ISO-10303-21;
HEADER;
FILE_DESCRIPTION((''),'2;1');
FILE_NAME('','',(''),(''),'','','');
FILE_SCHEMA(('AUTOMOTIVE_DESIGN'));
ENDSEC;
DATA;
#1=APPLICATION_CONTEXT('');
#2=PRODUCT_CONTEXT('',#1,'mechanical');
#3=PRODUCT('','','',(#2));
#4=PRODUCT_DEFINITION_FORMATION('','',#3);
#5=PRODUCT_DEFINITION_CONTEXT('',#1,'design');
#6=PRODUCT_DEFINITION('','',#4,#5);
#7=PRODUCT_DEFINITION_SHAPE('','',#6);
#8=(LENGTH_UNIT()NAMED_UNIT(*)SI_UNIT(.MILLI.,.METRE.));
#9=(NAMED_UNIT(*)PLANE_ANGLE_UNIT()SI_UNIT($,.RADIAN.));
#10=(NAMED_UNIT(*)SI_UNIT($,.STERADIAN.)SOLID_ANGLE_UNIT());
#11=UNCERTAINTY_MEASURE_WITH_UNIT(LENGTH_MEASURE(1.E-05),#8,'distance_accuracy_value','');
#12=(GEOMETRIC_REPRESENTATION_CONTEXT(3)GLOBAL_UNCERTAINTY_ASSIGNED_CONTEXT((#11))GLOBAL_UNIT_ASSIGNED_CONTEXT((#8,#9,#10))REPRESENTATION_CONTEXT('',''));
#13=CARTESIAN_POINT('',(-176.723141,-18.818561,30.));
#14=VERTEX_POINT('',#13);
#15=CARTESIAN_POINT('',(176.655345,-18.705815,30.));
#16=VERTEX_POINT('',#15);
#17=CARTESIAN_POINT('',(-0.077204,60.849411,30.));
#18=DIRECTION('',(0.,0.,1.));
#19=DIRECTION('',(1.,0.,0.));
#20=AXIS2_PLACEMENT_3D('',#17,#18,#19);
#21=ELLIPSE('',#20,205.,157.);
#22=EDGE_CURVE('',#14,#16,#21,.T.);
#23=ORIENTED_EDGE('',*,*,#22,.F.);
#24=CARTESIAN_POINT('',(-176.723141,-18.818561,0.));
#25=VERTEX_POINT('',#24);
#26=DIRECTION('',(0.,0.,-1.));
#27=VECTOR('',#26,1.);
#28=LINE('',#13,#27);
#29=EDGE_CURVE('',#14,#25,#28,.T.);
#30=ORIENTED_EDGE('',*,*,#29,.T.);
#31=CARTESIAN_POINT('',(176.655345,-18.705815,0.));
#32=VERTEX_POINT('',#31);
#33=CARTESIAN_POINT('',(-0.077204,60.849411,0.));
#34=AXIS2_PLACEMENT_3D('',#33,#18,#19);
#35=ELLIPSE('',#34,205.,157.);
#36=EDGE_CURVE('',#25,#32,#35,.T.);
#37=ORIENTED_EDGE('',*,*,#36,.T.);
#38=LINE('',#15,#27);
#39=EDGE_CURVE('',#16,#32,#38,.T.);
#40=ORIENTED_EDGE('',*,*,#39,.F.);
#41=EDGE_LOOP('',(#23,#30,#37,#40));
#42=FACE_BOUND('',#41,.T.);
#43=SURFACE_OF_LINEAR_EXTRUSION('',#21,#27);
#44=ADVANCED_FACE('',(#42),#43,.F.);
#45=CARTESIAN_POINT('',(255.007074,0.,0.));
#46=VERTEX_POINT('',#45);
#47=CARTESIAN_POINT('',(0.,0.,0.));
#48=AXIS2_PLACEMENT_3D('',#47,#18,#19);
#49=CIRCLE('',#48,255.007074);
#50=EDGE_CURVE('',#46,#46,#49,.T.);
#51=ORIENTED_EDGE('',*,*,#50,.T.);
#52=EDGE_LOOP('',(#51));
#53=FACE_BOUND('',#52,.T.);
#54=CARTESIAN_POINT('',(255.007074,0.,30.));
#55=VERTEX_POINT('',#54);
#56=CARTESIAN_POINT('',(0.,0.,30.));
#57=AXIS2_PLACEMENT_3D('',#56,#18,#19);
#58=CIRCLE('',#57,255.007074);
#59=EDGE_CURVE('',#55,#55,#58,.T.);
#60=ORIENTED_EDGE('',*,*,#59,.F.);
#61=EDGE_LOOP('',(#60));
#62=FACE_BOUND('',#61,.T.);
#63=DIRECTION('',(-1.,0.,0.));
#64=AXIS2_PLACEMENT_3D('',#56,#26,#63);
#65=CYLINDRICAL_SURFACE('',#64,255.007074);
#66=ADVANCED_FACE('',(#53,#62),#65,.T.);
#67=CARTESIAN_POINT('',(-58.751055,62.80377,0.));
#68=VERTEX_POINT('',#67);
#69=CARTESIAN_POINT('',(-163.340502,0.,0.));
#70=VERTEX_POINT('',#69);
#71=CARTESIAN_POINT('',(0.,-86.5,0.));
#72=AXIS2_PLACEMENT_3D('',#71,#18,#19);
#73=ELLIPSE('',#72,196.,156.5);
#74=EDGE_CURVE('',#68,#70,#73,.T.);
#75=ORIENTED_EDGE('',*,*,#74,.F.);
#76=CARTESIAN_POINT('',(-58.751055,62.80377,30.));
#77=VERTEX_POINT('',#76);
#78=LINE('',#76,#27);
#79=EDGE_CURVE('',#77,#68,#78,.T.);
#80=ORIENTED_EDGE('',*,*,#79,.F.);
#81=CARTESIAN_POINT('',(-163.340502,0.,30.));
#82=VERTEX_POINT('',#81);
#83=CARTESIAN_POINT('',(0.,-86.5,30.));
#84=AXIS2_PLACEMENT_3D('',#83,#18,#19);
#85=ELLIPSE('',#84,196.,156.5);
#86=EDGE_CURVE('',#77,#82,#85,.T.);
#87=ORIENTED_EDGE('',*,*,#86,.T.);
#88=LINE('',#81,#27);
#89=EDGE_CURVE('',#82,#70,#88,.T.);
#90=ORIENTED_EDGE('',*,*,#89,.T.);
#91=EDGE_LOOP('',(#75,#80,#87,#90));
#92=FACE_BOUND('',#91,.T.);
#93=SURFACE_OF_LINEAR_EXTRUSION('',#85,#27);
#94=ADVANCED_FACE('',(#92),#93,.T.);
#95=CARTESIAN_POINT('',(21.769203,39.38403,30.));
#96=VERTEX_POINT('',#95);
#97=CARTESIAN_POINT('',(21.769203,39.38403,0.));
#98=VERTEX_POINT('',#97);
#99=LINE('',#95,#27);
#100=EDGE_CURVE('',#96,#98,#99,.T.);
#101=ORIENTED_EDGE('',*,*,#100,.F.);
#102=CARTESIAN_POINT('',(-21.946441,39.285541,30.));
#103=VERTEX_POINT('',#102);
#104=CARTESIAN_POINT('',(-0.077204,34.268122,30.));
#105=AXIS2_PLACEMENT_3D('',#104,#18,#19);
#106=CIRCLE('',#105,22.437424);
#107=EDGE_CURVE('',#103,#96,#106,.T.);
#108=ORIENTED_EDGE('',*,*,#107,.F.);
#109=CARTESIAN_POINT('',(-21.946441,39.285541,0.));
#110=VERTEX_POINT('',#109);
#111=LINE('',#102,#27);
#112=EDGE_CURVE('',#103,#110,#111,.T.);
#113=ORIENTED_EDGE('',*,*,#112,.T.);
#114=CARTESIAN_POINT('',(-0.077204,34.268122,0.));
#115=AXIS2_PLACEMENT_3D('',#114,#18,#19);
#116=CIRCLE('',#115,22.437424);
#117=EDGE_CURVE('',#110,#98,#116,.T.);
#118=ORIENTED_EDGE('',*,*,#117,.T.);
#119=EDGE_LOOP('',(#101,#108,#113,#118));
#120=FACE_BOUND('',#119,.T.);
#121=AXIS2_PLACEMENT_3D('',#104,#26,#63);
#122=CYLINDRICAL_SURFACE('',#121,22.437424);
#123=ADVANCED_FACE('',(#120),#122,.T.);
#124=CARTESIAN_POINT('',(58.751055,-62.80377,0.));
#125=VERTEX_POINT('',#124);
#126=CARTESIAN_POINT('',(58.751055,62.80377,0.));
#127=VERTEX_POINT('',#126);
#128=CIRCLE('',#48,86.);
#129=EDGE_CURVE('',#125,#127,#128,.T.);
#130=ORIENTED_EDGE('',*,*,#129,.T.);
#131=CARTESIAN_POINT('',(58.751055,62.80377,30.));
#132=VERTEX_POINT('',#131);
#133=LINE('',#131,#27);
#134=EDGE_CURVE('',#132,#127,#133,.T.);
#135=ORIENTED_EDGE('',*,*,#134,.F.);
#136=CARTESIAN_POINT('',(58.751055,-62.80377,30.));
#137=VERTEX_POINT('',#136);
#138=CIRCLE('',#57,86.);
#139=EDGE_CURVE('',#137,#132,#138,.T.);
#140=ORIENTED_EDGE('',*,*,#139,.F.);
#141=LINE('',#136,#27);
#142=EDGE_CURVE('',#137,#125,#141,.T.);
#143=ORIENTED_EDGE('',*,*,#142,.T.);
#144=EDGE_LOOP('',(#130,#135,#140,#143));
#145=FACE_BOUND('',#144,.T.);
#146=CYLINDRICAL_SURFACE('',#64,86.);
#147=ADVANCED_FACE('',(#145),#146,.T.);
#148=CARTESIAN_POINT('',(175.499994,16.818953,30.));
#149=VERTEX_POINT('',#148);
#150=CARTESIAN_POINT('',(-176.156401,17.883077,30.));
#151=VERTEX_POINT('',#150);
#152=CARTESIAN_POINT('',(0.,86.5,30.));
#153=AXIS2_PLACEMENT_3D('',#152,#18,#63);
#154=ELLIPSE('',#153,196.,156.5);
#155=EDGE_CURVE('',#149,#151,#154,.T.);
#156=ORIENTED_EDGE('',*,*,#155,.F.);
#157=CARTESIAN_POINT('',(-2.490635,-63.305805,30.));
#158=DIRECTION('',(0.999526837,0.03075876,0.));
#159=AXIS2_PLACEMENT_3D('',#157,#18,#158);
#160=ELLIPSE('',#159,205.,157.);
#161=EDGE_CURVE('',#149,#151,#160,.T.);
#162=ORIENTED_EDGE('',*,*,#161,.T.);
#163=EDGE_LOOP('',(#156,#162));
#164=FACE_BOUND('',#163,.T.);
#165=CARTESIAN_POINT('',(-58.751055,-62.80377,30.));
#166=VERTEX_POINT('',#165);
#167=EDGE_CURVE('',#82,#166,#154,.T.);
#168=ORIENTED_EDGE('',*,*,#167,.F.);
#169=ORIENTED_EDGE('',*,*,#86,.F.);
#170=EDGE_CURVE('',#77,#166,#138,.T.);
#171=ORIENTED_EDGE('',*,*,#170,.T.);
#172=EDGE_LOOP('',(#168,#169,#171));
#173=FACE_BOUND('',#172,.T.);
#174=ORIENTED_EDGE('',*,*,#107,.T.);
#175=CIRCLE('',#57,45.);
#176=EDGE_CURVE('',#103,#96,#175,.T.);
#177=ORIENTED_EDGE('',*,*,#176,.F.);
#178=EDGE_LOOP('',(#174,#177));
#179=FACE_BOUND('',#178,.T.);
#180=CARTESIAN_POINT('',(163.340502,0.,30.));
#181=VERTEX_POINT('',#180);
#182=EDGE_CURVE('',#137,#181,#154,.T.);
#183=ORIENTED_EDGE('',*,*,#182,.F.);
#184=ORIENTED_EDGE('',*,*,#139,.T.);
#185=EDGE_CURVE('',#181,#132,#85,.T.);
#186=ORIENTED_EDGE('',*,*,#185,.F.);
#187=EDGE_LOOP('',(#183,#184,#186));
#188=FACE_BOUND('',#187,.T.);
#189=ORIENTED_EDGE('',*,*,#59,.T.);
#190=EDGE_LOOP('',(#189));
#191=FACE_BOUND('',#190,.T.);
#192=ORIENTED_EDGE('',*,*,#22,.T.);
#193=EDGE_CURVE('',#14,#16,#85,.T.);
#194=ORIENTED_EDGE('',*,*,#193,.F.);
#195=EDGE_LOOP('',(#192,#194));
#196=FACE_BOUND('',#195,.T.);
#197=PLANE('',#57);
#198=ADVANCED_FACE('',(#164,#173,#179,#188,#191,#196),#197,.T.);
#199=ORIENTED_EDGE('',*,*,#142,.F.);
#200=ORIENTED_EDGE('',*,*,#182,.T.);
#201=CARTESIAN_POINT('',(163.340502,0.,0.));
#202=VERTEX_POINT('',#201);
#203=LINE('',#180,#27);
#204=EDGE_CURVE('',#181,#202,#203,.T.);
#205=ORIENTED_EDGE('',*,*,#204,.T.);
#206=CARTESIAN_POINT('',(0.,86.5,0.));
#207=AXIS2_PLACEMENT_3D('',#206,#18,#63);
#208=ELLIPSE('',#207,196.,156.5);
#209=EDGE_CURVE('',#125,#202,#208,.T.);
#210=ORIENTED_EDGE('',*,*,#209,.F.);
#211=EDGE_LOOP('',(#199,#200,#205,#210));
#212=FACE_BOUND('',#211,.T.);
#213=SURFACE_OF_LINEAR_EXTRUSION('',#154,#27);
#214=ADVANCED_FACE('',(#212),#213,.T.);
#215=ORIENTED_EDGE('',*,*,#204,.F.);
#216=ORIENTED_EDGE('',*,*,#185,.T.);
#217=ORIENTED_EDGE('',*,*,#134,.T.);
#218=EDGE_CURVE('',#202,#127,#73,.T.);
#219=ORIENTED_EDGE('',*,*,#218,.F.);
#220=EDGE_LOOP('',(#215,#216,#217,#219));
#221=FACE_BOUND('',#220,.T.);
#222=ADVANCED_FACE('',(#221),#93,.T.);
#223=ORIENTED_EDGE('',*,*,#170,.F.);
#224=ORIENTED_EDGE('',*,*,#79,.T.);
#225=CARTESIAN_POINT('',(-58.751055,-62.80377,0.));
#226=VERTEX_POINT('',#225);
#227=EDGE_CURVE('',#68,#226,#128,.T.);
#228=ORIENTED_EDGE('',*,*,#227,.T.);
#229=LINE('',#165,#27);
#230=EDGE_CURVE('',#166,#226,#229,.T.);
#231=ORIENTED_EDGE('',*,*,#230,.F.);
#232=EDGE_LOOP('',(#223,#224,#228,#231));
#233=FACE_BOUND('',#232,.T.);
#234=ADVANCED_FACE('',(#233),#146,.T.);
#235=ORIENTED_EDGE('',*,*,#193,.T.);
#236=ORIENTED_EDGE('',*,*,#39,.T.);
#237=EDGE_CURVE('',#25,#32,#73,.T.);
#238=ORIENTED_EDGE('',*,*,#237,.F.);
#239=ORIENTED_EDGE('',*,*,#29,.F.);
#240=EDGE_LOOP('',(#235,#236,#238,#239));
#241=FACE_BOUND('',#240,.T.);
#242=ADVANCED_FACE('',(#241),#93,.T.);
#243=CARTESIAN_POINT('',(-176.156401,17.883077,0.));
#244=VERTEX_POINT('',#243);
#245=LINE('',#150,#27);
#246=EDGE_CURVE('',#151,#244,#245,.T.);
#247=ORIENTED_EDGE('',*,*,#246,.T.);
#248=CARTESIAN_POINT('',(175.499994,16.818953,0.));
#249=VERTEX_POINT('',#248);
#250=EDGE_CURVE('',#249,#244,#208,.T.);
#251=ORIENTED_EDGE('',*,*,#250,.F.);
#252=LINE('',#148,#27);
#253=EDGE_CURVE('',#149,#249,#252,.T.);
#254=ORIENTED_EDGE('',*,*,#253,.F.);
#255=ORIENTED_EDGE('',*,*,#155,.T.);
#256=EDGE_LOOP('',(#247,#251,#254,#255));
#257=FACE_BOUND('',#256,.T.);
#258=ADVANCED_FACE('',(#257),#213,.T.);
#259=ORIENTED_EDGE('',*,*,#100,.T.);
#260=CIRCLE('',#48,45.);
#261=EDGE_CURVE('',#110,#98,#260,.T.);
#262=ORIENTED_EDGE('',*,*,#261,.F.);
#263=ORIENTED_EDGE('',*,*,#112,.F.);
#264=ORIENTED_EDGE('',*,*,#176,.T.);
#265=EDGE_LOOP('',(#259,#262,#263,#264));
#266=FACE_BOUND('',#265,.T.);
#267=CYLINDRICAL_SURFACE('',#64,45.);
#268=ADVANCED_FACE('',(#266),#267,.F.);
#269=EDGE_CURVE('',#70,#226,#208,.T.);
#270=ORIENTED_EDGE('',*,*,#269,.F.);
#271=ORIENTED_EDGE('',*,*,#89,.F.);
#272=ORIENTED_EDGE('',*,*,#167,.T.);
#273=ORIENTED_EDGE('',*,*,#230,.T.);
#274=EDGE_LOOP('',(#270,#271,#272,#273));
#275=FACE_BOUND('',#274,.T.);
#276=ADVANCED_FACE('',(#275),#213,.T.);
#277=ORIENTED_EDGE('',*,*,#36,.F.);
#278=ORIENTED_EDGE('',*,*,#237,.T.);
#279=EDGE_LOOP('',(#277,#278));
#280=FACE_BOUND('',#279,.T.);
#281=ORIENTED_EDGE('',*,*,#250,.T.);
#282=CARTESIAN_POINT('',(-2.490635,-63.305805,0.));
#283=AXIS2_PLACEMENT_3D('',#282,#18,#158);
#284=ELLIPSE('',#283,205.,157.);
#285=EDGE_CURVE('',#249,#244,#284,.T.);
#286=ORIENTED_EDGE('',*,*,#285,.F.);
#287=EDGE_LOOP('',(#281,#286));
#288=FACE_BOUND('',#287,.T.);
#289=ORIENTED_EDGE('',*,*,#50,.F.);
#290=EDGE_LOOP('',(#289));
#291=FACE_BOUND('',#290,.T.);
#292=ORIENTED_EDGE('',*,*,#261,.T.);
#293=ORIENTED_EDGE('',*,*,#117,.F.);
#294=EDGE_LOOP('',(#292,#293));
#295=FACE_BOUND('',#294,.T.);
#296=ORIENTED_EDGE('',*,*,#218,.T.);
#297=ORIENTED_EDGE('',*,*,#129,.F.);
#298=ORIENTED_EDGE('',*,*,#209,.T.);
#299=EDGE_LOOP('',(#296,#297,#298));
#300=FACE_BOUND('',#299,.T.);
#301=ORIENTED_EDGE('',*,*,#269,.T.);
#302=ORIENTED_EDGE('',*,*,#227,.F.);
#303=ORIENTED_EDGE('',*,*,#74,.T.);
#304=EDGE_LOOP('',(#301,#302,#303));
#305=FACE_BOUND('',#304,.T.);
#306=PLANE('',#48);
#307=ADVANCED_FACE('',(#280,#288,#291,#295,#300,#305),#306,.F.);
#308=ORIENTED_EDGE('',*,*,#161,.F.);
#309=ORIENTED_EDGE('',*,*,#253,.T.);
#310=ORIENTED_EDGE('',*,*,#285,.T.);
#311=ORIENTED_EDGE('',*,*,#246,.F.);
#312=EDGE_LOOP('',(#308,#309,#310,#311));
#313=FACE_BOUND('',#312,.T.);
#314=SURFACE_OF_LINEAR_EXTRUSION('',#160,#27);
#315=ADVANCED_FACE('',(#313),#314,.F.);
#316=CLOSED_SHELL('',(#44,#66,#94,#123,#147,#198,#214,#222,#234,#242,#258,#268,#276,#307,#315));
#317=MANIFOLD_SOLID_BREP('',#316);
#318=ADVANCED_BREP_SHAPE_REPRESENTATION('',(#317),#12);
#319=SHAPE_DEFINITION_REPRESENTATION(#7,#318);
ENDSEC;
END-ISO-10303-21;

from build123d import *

# Parameters (mm, degrees)
SKETCH_1_R      = 255.007073506
EXTRUDE_1_DEPTH = 30


with BuildPart() as part:
    # Sketch 1 → Extrude 1 (new body)
    with BuildSketch(Plane.XY):
        Circle(SKETCH_1_R)
        with BuildLine():
            add(Edge.make_bspline(
                [(-58.751055362, 62.803769743), (-124.97390961, 46.189956075), (-163.34050211, 0)],
                knots=[1.875227216, 1.875227216, 1.875227216, 2.555973281, 2.555973281, 2.555973281], degree=2, weights=[1, 0.942630199, 1]))
            ThreePointArc((-58.751055362, 62.803769743), (-86, 0), (-58.751055362, -62.803769743))
            add(Edge.make_bspline(
                [(-163.34050211, 0), (-124.97390961, -46.189956075), (-58.751055362, -62.803769743)],
                knots=[0.585619373, 0.585619373, 0.585619373, 1.266365437, 1.266365437, 1.266365437], degree=2, weights=[1, 0.942630199, 1]))
        make_face(mode=Mode.SUBTRACT)
        with BuildLine():
            ThreePointArc((58.751055362, -62.803769743), (86, 0), (58.751055362, 62.803769743))
            add(Edge.make_bspline(
                [(163.34050211, 0), (124.97390961, 46.189956075), (58.751055362, 62.803769743)],
                knots=[0.585619373, 0.585619373, 0.585619373, 1.266365437, 1.266365437, 1.266365437], degree=2, weights=[1, 0.942630199, 1]))
            add(Edge.make_bspline(
                [(58.751055362, -62.803769743), (124.97390961, -46.189956075), (163.34050211, 0)],
                knots=[1.875227216, 1.875227216, 1.875227216, 2.555973281, 2.555973281, 2.555973281], degree=2, weights=[1, 0.942630199, 1]))
        make_face(mode=Mode.SUBTRACT)
        with BuildLine():
            add(Edge.make_bspline(
                [(196, -86.5), (196, -50.843298634), (176.655344593, -18.70581462)],
                knots=[0, 0, 0, 0.448028749, 0.448028749, 0.448028749], degree=2, weights=[1, 0.975013533, 1]))
            add(Edge.make_bspline(
                [(-176.723140988, -18.818560865), (-282.928296502, -195.620073949), (-43.464148251, -239.103497414), (196, -282.58692088), (196, -86.5)],
                knots=[2.694363064, 2.694363064, 2.694363064, 4.488774186, 4.488774186, 6.283185307, 6.283185307, 6.283185307], degree=2, weights=[1, 0.623796498, 1, 0.623796498, 1]))
            add(Edge.make_bspline(
                [(-176.723140988, -18.818560865), (0.091215786, -248.766222331), (176.655344593, -18.70581462)],
                knots=[3.673803124, 3.673803124, 3.673803124, 5.751808031, 5.751808031, 5.751808031], degree=2, weights=[1, 0.507080293, 1]))
        make_face(mode=Mode.SUBTRACT)
        with BuildLine():
            add(Edge.make_bspline(
                [(175.499994085, 16.818952725), (285.643752257, 193.682718887), (44.821876129, 238.852896014), (-196, 284.02307314), (-196, 86.5)],
                knots=[2.680143332, 2.680143332, 2.680143332, 4.48166432, 4.48166432, 6.283185307, 6.283185307, 6.283185307], degree=2, weights=[1, 0.621014073, 1, 0.621014073, 1]))
            add(Edge.make_bspline(
                [(175.499994085, 16.818952725), (5.708014638, 242.49666802), (-176.156401015, 17.883077152)],
                knots=[3.636825053, 3.636825053, 3.636825053, 5.699736109, 5.699736109, 5.699736109], degree=2, weights=[1, 0.513570478, 1]))
            add(Edge.make_bspline(
                [(-196, 86.5), (-196, 50.362191161), (-176.156401015, 17.883077152)],
                knots=[0, 0, 0, 0.45386977, 0.45386977, 0.45386977], degree=2, weights=[1, 0.974360598, 1]))
        make_face(mode=Mode.SUBTRACT)
        with BuildLine():
            ThreePointArc((-21.946440501, 39.285541225), (-0.026653996, 11.830755357), (21.769202582, 39.384029999))
            ThreePointArc((21.769202582, 39.384029999), (0.101382097, -44.999885796), (-21.946440501, 39.285541225))
        make_face(mode=Mode.SUBTRACT)
    extrude(amount=EXTRUDE_1_DEPTH)


solid = part.part
